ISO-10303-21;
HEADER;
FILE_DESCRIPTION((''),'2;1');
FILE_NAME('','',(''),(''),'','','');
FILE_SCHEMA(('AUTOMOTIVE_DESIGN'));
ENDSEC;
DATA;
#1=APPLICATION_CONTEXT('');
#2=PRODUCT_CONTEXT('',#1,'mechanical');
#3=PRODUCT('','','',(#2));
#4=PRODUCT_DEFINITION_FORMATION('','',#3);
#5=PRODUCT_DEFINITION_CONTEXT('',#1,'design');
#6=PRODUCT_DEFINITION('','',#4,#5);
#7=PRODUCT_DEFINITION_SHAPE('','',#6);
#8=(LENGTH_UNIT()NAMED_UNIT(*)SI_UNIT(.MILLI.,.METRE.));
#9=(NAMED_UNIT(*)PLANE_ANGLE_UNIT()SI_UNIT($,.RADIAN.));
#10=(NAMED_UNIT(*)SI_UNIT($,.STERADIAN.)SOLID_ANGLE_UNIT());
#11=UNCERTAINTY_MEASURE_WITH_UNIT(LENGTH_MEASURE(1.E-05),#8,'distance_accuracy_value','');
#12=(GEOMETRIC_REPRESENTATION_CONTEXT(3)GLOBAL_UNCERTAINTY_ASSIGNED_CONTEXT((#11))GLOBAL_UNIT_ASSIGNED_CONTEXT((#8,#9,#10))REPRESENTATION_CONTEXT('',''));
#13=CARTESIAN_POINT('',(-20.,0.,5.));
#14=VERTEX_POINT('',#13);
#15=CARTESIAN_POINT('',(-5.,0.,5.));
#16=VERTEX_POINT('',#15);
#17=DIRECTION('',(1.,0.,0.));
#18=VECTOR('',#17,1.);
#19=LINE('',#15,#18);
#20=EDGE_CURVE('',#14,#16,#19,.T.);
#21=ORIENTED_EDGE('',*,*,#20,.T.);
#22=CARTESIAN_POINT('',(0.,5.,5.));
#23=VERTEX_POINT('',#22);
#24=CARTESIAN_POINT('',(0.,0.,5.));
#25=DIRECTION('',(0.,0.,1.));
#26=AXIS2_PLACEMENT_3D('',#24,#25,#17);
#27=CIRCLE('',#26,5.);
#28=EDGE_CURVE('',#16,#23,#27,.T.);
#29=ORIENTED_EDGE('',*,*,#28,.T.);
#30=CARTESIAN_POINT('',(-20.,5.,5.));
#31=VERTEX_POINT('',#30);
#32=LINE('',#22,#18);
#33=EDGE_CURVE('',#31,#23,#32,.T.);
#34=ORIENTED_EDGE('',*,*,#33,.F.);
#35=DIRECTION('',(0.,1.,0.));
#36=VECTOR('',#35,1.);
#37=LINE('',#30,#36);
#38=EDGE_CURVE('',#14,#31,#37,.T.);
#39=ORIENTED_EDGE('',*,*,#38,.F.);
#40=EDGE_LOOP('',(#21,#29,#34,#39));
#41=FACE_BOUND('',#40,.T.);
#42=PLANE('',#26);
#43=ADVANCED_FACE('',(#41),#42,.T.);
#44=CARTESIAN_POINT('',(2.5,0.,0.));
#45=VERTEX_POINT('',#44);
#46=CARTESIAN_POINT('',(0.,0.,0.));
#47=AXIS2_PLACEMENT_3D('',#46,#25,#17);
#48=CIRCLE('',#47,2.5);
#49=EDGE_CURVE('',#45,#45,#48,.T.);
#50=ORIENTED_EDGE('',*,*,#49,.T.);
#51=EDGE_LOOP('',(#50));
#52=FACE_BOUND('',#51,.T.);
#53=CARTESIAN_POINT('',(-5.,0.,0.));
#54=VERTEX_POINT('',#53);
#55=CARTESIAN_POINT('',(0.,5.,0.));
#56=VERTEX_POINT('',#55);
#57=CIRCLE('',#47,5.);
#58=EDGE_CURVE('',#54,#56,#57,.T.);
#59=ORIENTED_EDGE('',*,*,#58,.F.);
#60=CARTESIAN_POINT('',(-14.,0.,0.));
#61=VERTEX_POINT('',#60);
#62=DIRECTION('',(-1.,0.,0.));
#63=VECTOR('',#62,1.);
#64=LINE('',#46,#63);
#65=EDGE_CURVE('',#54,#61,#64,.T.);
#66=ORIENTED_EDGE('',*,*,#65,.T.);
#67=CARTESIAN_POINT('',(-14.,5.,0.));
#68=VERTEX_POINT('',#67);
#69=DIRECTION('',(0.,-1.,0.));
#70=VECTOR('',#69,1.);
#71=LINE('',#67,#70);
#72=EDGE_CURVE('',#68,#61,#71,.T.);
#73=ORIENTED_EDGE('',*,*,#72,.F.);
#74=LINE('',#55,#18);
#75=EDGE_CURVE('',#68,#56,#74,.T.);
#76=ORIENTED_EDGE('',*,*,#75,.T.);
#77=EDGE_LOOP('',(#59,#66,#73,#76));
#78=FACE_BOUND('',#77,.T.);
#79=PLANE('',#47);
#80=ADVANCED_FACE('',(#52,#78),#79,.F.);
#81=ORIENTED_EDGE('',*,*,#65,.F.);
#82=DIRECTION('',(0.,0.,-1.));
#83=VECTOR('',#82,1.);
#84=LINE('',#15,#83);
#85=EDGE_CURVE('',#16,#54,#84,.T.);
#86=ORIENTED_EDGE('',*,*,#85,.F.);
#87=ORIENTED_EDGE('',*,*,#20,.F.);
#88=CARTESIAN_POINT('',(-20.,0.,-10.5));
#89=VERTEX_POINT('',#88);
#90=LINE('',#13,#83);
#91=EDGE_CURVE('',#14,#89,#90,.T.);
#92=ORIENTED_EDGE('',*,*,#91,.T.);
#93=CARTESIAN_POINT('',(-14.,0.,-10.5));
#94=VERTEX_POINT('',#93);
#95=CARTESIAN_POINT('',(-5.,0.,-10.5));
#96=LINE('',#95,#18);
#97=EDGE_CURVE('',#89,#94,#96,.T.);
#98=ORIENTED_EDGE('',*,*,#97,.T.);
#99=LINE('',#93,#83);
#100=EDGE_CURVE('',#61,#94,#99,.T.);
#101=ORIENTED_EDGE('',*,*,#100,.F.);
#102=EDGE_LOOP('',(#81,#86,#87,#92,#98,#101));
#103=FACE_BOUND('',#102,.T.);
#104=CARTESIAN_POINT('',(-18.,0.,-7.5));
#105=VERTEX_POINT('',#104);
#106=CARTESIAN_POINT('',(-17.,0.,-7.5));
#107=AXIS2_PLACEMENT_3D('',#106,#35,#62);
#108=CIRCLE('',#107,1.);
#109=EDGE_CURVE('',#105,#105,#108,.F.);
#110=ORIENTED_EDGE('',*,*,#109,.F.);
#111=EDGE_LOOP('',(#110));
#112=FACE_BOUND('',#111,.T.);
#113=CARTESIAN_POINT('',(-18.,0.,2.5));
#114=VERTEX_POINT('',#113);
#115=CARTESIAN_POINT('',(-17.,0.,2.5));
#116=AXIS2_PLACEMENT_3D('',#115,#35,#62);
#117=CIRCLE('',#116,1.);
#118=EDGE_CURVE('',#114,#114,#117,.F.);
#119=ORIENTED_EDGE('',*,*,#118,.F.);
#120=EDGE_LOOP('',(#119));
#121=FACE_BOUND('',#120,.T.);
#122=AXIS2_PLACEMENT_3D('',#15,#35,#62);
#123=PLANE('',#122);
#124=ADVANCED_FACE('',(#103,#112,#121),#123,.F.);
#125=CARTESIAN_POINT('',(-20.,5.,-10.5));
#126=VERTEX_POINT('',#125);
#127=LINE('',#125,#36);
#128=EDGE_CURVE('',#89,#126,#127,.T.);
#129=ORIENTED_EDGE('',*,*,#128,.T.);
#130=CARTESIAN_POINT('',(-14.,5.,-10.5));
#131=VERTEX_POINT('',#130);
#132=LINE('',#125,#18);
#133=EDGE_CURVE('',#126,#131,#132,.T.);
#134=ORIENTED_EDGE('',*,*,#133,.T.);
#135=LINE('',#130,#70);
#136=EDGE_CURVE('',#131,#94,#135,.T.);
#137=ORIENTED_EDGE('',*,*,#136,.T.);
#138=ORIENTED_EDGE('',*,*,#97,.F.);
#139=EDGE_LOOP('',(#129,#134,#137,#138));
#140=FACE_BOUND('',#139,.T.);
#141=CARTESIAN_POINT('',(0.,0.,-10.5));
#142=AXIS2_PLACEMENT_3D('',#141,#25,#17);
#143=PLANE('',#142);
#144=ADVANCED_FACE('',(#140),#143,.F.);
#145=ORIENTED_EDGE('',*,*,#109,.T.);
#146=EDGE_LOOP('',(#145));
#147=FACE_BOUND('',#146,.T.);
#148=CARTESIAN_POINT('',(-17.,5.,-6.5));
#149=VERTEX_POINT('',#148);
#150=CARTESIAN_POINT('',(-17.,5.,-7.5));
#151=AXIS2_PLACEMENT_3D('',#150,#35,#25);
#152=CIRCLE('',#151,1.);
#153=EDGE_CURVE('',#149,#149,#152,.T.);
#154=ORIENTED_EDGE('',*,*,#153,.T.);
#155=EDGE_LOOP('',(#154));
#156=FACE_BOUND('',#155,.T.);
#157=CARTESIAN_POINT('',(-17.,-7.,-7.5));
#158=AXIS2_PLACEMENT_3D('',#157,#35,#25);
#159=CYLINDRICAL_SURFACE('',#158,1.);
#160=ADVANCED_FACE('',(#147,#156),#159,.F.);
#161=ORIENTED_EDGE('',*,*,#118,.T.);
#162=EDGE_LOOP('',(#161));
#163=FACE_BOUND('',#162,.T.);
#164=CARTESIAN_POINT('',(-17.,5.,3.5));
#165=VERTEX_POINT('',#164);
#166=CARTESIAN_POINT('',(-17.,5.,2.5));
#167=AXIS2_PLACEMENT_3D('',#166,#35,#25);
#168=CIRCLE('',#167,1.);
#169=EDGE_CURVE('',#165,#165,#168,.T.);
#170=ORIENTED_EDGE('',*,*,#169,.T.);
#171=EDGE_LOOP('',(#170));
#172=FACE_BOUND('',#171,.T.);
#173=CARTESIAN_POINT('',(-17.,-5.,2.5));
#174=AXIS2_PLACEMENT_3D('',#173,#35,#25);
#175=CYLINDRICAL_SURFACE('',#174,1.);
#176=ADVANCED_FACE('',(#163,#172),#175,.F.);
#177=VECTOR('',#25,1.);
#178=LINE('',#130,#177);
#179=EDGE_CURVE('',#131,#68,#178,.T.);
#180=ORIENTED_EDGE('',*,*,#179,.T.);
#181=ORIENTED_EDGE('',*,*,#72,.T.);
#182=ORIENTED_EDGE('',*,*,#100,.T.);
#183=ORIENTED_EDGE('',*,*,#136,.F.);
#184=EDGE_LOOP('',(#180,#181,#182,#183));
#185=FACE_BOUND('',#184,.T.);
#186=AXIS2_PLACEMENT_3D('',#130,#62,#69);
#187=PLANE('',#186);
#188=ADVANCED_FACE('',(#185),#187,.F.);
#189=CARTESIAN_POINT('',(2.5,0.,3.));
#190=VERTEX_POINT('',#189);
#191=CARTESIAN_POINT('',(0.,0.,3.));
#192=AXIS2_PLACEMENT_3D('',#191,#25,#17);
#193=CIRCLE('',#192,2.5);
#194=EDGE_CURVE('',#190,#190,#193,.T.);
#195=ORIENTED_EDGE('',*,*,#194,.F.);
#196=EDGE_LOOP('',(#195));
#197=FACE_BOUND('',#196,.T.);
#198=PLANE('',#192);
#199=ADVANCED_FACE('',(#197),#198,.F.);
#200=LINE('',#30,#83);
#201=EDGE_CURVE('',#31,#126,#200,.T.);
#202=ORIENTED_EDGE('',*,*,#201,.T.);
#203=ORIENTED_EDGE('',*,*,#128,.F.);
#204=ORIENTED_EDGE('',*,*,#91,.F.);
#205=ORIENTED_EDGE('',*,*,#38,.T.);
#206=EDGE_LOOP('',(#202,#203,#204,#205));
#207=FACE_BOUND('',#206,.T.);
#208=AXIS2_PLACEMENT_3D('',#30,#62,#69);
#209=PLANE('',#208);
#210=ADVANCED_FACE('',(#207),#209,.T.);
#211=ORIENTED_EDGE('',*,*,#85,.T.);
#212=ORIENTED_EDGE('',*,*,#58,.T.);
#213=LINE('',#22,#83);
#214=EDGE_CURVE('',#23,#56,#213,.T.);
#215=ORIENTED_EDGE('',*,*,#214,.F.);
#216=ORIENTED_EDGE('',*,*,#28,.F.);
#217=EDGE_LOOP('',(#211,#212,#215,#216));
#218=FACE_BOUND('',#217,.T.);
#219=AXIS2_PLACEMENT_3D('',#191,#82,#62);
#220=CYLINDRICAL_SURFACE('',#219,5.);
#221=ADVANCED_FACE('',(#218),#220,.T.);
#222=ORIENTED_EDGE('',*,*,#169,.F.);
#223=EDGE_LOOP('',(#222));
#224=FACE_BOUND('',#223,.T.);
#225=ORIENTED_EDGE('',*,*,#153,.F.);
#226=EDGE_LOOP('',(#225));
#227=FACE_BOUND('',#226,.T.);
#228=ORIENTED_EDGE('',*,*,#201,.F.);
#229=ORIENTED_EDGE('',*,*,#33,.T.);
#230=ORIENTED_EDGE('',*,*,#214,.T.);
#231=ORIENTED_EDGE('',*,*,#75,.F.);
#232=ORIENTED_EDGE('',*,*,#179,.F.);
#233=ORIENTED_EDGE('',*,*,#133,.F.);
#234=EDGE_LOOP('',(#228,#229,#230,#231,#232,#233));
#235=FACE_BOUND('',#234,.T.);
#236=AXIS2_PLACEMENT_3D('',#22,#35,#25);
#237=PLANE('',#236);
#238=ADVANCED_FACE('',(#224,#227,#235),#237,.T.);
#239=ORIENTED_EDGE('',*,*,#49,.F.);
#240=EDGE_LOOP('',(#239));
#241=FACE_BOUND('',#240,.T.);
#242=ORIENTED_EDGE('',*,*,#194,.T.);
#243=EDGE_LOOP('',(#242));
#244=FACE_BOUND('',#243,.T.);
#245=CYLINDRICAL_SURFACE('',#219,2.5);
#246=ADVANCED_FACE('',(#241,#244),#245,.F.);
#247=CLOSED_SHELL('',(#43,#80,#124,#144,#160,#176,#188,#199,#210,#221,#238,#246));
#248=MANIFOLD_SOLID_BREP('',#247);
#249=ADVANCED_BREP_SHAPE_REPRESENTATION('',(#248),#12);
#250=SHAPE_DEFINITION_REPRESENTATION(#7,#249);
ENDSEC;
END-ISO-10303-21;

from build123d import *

# Parameters (mm, degrees)
SKETCH_1_R               = 5
SKETCH_1_R_2             = 2.5
EXTRUDE_1_DEPTH          = 3
SKETCH_2_R               = 5
EXTRUDE_2_DEPTH          = 2
EXTRUDE_3_DEPTH          = 5
SKETCH_6_R               = 1
CUT_EXTRUDE_2_DEPTH      = 10
SKETCH_7_W               = 6
SKETCH_7_H               = 10
EXTRUDE_5_DEPTH          = 10.5
SKETCH_8_R               = 1
CUT_EXTRUDE_3_DEPTH      = 12
CUT_EXTRUDE_4_DEPTH      = 24.135470603
CUT_EXTRUDE_4_DEPTH_BACK = 24.135470603


with BuildPart() as part:
    # 草图1 → 凸台-拉伸1 (new body)
    with BuildSketch(Plane.XY):
        Circle(SKETCH_1_R)
        Circle(SKETCH_1_R_2, mode=Mode.SUBTRACT)
    extrude(amount=EXTRUDE_1_DEPTH)

    # 草图2 → 凸台-拉伸2 (add)
    with BuildSketch(Plane.XY.offset(3)):
        Circle(SKETCH_2_R)
    extrude(amount=EXTRUDE_2_DEPTH)

    # 草图3 → 凸台-拉伸3 (add)
    with BuildSketch(Plane(origin=(0, 0, 0), x_dir=(-1, 0, 0), z_dir=(0, 0, -1))):
        with BuildLine():
            Line((0, 5), (20, 5))
            Line((20, 5), (20, -5))
            Line((20, -5), (0, -5))
            ThreePointArc((0, -5), (5, 0), (0, 5))
        make_face()
    extrude(amount=-EXTRUDE_3_DEPTH)

    # 草图6 → 切除-拉伸2 (cut)
    with BuildSketch(Plane(origin=(0, 5, 0), x_dir=(1, 0, 0), z_dir=(0, 1, 0))):
        with Locations(Location((-17, -2.5, 0), (0, 0, 270))):
            Circle(SKETCH_6_R)
    extrude(amount=-CUT_EXTRUDE_2_DEPTH, mode=Mode.SUBTRACT)

    # 草图7 → 凸台-拉伸5 (add)
    with BuildSketch(Plane(origin=(0, 0, 0), x_dir=(-1, 0, 0), z_dir=(0, 0, -1))):
        with Locations((17, 0)):
            Rectangle(SKETCH_7_W, SKETCH_7_H)
    extrude(amount=EXTRUDE_5_DEPTH)

    # 草图8 → 切除-拉伸3 (cut)
    with BuildSketch(Plane(origin=(0, 5, 0), x_dir=(1, 0, 0), z_dir=(0, 1, 0))):
        with Locations(Location((-17, 7.5, 0), (0, 0, 270))):
            Circle(SKETCH_8_R)
    extrude(amount=-CUT_EXTRUDE_3_DEPTH, mode=Mode.SUBTRACT)

    # 草图9 → 切除-拉伸4 (cut, two sides: drawn at the far end of the back side and taken through both)
    with BuildSketch(Plane(origin=(0, 0, 0), x_dir=(-1, 0, 0), z_dir=(0, 0, -1)).offset(-CUT_EXTRUDE_4_DEPTH_BACK)):
        with BuildLine():
            Line((5, 0), (20, 0))
            Line((20, 0), (20, -5))
            Line((20, -5), (0, -5))
            ThreePointArc((0, -5), (3.535533906, -3.535533906), (5, 0))
        make_face()
    extrude(amount=CUT_EXTRUDE_4_DEPTH + CUT_EXTRUDE_4_DEPTH_BACK, mode=Mode.SUBTRACT)


solid = part.part
